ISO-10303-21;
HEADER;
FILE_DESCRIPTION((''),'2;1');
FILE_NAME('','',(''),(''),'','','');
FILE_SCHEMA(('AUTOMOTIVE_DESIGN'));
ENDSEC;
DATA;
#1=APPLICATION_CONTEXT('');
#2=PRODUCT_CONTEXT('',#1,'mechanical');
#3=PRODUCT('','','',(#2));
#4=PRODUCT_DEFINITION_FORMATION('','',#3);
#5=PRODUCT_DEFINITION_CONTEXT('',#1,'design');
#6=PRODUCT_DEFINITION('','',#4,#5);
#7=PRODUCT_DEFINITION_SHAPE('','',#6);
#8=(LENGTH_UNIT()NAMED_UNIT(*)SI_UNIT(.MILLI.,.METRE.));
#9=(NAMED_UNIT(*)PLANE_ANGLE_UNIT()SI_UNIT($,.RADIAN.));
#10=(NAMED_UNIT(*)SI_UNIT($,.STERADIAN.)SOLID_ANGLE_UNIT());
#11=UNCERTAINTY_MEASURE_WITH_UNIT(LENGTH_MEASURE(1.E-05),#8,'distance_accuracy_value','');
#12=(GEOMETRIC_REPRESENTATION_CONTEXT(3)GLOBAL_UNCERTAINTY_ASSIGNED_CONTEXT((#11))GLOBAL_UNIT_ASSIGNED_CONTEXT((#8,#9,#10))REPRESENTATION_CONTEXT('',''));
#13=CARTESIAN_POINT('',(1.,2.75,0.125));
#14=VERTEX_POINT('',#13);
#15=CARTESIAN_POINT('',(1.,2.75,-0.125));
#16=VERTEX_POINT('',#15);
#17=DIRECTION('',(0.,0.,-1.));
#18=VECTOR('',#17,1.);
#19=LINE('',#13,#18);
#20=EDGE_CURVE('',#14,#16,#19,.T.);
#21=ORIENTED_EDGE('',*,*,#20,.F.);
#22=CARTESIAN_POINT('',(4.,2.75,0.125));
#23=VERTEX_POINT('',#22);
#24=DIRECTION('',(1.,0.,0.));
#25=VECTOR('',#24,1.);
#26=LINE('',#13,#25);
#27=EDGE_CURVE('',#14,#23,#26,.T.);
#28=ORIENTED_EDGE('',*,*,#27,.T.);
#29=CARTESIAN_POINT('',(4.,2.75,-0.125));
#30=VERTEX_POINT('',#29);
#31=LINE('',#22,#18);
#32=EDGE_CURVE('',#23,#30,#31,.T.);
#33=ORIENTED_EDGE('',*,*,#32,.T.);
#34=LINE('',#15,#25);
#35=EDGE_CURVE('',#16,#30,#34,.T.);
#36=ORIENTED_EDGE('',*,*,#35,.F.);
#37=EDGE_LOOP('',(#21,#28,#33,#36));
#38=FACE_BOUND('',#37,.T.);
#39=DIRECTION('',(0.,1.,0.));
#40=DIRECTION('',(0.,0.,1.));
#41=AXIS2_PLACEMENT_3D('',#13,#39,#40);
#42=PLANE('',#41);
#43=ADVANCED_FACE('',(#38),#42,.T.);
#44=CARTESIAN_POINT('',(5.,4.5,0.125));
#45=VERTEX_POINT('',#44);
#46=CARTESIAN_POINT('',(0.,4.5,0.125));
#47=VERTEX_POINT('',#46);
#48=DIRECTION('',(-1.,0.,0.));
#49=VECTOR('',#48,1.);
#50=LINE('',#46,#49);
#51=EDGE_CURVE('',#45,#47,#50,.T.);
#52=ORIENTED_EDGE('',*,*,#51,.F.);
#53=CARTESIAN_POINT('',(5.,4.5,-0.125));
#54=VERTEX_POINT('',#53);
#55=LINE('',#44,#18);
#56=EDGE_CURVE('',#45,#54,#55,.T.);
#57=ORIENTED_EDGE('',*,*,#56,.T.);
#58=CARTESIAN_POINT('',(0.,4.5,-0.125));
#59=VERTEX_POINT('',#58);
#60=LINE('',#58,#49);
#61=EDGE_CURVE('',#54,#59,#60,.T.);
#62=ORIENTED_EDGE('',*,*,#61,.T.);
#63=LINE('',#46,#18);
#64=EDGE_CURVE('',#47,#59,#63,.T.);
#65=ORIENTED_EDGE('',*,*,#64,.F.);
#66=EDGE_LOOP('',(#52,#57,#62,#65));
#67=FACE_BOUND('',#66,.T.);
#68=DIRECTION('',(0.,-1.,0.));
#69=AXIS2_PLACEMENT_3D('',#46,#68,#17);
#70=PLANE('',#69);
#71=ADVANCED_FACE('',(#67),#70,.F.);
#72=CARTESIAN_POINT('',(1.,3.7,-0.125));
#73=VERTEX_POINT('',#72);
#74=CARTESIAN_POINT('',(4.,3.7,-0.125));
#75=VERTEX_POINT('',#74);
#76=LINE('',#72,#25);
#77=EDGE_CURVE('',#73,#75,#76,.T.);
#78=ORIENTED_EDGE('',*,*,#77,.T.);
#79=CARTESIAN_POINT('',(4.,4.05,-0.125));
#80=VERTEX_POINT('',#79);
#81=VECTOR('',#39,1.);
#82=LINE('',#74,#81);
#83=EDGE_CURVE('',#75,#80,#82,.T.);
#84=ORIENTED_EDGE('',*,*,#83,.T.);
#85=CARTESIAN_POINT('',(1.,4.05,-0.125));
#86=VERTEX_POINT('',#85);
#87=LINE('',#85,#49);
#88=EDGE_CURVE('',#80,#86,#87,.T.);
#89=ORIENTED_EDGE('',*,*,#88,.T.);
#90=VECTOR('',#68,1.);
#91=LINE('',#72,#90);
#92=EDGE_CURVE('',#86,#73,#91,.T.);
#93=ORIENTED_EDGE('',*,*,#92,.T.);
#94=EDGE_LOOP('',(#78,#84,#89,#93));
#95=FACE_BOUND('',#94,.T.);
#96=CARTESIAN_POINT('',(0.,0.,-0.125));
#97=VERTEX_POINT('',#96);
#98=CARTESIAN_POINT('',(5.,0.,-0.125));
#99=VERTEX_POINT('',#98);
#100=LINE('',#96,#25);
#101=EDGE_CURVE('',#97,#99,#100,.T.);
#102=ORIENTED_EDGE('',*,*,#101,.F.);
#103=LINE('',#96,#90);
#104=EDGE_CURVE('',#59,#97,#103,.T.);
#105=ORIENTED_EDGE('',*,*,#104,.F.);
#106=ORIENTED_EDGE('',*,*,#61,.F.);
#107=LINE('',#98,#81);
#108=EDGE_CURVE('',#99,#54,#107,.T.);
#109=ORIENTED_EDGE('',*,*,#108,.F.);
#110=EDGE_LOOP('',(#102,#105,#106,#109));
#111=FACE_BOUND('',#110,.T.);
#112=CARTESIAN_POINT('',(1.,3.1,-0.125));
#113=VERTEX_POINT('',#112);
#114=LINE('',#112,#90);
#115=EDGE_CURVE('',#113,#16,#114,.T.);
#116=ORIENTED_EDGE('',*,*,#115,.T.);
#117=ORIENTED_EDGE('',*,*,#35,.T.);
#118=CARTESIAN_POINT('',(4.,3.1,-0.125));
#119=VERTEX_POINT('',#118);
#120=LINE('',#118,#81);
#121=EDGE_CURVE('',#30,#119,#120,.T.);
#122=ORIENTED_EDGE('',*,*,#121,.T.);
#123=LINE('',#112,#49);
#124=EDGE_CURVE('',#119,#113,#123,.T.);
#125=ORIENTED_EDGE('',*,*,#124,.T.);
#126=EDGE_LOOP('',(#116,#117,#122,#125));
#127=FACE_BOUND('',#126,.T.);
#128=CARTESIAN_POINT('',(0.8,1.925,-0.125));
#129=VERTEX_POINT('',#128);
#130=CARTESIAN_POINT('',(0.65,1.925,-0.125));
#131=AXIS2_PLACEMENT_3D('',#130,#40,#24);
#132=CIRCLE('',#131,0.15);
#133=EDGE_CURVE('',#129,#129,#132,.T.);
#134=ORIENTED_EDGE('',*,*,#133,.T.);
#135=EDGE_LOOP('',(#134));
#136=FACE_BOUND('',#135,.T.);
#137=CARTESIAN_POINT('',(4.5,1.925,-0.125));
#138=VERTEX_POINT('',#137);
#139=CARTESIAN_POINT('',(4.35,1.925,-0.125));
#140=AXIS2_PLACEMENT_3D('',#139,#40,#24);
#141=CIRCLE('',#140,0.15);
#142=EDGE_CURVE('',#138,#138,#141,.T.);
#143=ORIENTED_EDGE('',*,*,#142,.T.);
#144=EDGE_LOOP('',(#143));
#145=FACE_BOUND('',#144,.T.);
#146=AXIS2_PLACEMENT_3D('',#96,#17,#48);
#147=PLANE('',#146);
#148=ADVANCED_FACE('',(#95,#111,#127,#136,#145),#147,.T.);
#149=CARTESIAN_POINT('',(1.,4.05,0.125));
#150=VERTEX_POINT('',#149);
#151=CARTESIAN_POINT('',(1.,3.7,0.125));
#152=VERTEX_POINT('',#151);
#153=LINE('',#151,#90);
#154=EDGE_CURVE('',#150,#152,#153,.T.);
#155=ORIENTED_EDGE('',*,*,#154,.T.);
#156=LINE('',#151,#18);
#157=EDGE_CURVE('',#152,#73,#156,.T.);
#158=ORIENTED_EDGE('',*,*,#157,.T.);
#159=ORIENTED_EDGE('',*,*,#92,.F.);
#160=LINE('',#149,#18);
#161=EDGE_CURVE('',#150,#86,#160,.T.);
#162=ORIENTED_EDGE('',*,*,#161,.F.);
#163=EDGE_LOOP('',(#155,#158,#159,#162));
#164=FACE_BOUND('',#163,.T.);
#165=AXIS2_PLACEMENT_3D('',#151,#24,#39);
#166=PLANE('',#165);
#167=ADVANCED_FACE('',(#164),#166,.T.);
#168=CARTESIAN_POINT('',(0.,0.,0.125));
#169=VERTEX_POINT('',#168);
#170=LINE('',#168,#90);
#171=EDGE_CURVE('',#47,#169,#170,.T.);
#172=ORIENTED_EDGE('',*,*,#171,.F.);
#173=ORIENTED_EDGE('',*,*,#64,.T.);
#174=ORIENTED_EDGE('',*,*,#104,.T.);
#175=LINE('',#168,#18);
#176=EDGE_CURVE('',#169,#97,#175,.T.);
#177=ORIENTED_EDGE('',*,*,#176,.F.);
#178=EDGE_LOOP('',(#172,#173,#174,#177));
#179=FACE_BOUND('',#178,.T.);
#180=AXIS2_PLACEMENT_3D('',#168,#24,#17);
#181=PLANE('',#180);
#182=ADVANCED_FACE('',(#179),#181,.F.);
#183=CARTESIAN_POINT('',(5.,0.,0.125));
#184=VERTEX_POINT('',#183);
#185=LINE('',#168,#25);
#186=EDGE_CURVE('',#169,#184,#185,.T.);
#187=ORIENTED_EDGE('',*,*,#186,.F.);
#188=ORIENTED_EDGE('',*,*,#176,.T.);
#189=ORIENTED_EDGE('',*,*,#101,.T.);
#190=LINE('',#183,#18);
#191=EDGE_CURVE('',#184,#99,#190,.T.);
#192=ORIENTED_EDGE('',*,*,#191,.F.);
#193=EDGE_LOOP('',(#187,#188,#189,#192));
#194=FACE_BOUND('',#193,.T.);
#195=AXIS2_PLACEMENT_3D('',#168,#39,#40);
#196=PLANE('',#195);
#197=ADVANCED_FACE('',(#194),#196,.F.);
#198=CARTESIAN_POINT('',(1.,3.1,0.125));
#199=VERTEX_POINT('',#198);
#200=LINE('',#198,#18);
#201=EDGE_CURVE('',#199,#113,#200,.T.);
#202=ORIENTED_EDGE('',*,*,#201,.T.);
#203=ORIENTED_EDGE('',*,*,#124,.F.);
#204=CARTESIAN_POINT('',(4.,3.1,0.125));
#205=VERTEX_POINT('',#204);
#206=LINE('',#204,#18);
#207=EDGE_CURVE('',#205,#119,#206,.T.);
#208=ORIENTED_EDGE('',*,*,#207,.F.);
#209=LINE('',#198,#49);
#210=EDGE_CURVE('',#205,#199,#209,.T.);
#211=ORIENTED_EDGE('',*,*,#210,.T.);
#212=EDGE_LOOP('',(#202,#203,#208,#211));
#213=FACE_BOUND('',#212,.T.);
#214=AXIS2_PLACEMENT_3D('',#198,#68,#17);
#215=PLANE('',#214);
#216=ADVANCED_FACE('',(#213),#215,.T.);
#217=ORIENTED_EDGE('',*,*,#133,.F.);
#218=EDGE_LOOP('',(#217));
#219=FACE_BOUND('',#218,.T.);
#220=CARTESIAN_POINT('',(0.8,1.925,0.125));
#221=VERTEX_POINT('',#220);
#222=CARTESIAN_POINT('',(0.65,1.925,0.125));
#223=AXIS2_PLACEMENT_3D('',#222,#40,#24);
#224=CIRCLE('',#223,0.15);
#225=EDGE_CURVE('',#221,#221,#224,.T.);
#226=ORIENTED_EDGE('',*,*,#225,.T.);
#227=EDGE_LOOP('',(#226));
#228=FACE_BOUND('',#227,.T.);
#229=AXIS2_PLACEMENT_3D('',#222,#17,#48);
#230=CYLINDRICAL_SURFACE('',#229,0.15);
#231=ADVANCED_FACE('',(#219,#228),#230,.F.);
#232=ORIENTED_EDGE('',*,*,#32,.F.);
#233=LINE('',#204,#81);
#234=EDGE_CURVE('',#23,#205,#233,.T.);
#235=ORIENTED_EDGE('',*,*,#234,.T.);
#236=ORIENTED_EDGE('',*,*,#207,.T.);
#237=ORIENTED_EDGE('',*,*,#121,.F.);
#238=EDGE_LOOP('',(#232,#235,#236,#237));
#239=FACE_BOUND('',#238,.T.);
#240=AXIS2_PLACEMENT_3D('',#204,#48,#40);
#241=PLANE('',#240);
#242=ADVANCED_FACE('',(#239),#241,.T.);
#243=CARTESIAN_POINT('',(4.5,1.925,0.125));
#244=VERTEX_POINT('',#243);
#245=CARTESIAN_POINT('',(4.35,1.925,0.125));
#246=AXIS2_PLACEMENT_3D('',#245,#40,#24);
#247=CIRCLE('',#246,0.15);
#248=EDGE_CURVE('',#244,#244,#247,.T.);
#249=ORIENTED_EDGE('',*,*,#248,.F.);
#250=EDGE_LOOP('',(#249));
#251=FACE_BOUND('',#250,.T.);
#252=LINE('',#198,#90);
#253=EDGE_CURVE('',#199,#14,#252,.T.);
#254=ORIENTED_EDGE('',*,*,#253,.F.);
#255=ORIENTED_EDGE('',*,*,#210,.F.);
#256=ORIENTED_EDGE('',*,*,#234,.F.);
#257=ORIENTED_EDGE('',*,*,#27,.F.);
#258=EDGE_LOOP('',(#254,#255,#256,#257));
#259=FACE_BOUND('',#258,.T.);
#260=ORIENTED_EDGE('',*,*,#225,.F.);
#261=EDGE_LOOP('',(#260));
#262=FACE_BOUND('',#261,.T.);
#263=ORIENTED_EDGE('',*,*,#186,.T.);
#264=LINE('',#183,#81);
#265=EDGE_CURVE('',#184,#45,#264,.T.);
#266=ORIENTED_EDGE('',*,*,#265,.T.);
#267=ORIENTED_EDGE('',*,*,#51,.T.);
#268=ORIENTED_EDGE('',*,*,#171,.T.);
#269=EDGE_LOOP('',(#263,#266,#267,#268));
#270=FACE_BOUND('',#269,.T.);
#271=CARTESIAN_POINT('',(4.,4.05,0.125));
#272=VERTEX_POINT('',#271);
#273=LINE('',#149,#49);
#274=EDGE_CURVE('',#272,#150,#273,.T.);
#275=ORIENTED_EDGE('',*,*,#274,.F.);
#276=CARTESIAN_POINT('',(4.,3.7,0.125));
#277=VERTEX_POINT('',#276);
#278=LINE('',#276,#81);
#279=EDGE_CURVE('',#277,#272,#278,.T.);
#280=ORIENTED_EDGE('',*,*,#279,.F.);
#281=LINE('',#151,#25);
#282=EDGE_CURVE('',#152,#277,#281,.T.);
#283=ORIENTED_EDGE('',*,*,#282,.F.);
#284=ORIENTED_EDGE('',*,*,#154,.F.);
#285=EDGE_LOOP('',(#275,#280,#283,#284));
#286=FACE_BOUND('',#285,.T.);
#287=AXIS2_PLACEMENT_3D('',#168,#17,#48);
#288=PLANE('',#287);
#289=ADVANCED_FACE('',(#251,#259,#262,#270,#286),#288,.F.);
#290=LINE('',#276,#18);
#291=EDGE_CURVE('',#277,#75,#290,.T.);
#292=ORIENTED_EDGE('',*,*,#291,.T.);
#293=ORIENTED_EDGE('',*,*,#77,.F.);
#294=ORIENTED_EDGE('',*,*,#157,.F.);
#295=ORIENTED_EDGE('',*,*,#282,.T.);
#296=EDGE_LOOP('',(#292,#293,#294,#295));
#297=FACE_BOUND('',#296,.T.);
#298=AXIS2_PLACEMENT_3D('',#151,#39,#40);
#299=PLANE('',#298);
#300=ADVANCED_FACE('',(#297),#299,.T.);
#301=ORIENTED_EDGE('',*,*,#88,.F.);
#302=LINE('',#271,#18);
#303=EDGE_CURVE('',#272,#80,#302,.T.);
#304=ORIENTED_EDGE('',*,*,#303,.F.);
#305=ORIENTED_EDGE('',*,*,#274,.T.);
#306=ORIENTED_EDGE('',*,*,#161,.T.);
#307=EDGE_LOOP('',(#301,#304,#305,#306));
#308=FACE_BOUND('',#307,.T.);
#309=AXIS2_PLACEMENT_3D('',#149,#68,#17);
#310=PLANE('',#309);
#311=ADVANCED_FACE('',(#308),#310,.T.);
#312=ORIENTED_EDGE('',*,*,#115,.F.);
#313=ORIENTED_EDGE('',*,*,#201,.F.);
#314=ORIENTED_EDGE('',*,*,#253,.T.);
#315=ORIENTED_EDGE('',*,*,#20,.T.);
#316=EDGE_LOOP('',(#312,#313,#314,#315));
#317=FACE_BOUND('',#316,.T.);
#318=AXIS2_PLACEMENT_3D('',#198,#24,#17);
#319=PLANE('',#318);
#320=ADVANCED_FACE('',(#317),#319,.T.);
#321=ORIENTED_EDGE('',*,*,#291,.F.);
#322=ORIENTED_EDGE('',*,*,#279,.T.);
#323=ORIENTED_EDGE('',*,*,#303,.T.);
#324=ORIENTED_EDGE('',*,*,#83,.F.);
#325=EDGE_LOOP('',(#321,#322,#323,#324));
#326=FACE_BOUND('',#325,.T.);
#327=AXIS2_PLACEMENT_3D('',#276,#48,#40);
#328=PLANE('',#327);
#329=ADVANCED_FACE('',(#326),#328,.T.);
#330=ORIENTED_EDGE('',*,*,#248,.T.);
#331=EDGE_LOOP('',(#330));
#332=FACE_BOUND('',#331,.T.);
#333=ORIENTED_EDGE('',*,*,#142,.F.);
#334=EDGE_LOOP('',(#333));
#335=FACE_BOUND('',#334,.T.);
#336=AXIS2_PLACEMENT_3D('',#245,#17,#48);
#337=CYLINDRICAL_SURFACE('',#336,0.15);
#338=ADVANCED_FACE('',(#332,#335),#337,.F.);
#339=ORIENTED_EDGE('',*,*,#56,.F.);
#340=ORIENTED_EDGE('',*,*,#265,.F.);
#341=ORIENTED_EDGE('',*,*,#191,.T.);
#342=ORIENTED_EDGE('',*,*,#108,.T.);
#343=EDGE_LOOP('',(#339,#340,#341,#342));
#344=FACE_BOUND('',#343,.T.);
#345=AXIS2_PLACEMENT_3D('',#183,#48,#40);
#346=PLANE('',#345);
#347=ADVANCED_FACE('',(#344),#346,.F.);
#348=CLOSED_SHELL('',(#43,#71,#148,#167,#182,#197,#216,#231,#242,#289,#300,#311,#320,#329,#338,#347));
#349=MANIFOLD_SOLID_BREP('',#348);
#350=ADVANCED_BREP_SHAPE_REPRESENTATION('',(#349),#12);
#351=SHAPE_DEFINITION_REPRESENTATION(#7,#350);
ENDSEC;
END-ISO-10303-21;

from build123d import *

# Parameters (mm, degrees)
FRAME_OUTLINE_W     = 5
FRAME_OUTLINE_H     = 4.5
FRAME_OUTLINE_R     = 0.15
FRAME_OUTLINE_W_2   = 3
FRAME_OUTLINE_H_2   = 0.35
BOSS_EXTRUDE1_DEPTH = 0.125


with BuildPart() as part:
    # frame_outline → Boss-Extrude1 (new, symmetric)
    with BuildSketch(Plane.XY):
        with Locations((2.5, 2.25)):
            Rectangle(FRAME_OUTLINE_W, FRAME_OUTLINE_H)
        with Locations((0.65, 1.925)):
            Circle(FRAME_OUTLINE_R, mode=Mode.SUBTRACT)
        with Locations((4.35, 1.925)):
            Circle(FRAME_OUTLINE_R, mode=Mode.SUBTRACT)
        with Locations((2.5, 2.925)):
            Rectangle(FRAME_OUTLINE_W_2, FRAME_OUTLINE_H_2, mode=Mode.SUBTRACT)
        with Locations((2.5, 3.875)):
            Rectangle(FRAME_OUTLINE_W_2, FRAME_OUTLINE_H_2, mode=Mode.SUBTRACT)
    extrude(amount=BOSS_EXTRUDE1_DEPTH, both=True)


solid = part.part
